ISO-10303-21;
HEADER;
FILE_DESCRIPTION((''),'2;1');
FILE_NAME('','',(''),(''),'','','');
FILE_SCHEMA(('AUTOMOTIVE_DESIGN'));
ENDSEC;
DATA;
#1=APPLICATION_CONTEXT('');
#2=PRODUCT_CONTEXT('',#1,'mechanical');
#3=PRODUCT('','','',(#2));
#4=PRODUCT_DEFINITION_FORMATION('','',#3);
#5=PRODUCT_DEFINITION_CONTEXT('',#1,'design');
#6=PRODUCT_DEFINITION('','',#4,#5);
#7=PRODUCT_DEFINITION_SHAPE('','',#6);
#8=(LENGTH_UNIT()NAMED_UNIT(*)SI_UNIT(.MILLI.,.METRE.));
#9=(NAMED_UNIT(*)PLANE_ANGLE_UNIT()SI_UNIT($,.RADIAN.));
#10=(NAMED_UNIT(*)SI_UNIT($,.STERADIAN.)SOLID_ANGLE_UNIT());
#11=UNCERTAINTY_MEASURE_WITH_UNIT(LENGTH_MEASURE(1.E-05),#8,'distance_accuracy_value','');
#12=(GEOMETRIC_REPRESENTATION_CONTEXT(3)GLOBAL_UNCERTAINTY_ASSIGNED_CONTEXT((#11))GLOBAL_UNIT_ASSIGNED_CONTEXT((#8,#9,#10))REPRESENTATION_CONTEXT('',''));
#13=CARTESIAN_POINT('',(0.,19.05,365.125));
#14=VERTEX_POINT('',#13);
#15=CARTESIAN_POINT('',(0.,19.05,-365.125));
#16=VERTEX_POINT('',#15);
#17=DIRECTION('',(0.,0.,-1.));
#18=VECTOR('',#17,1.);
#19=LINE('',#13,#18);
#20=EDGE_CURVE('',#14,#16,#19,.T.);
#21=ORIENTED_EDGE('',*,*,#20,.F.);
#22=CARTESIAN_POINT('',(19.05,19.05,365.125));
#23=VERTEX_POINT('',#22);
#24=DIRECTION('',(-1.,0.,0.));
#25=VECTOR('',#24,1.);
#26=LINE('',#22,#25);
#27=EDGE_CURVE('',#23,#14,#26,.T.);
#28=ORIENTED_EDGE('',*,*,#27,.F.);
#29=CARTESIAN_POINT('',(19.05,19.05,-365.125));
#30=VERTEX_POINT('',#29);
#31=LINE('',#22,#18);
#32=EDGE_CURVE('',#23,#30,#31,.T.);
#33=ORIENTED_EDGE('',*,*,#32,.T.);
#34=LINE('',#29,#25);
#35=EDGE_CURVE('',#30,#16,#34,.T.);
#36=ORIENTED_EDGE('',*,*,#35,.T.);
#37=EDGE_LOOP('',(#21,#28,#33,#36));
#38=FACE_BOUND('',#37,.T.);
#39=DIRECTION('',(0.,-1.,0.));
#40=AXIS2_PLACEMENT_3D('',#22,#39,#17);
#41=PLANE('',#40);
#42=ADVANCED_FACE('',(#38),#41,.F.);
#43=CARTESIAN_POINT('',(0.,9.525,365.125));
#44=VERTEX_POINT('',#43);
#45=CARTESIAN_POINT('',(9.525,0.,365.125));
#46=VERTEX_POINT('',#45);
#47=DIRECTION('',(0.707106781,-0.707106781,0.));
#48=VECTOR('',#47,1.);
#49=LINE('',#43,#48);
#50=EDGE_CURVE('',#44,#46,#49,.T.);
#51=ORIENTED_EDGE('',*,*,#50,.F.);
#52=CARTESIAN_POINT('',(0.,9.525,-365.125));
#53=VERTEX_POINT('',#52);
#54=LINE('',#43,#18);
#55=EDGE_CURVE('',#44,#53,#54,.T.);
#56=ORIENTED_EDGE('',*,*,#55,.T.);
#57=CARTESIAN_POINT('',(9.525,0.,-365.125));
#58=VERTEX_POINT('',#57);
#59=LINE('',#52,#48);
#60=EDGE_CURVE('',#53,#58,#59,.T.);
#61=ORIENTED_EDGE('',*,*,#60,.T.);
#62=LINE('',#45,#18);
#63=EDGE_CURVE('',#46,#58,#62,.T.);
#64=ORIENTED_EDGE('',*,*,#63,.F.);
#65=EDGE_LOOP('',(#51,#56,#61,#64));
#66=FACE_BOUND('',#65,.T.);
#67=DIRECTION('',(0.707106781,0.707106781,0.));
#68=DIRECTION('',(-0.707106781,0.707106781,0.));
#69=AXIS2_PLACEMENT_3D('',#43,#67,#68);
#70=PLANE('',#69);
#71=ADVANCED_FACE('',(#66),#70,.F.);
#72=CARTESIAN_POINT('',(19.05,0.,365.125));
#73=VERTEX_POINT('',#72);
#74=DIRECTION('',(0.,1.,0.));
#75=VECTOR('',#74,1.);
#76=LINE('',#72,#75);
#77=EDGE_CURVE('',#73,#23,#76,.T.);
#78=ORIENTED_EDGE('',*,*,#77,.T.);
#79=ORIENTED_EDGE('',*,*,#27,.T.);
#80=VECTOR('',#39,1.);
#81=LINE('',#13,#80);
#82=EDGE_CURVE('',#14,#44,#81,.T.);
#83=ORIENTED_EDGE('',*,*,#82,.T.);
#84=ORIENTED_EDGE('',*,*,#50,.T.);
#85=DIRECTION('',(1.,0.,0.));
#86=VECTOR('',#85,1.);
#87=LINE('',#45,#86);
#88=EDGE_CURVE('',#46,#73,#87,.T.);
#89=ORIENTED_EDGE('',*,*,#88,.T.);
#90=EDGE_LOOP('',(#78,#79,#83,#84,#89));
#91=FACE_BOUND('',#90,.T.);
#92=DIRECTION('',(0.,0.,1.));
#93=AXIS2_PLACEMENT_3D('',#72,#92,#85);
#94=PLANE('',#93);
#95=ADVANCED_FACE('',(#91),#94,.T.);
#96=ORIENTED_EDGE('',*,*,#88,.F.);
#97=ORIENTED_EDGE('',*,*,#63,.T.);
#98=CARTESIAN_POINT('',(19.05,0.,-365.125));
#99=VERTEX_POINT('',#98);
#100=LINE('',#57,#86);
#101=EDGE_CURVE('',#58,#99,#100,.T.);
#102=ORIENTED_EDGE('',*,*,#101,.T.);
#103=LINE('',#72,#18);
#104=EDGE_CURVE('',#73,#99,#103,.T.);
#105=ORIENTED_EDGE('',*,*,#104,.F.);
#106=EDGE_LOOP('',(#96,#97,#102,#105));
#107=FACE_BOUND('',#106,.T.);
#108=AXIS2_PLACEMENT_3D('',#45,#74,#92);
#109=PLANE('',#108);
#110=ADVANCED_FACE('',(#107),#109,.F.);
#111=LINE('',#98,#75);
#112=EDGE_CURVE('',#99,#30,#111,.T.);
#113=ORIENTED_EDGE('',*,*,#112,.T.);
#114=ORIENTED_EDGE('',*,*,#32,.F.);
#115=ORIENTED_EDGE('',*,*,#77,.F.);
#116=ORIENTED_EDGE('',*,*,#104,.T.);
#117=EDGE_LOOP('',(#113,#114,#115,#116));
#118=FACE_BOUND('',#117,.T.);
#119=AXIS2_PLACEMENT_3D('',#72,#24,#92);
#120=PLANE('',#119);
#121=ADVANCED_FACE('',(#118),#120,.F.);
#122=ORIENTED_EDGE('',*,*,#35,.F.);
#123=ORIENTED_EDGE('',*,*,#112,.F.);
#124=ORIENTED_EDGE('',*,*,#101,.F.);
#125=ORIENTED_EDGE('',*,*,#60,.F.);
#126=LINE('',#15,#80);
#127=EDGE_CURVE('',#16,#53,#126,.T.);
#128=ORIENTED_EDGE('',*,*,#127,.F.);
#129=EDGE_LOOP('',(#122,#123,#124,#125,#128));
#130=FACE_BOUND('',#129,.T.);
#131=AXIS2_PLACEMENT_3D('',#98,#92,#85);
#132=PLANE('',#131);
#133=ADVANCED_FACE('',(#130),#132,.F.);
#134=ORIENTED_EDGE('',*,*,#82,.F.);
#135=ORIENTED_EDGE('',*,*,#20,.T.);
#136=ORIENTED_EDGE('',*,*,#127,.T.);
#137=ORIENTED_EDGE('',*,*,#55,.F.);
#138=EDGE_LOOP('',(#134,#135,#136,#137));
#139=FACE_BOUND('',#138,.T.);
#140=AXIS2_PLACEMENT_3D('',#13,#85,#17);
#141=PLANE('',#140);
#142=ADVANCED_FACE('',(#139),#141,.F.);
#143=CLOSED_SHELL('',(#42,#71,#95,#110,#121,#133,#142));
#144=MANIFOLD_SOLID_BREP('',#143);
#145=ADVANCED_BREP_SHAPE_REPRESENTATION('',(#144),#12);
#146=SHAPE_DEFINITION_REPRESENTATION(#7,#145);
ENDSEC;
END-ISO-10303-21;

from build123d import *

# Parameters (mm, degrees)
EXTRUDE1_DEPTH = 365.125


with BuildPart() as part:
    # Sketch1 → Extrude1 (new body, symmetric)
    with BuildSketch(Plane.XY):
        Polygon((19.05, 0), (19.05, 19.05), (0, 19.05), (0, 9.525), (9.525, 0), align=None)
    extrude(amount=EXTRUDE1_DEPTH, both=True)


solid = part.part
